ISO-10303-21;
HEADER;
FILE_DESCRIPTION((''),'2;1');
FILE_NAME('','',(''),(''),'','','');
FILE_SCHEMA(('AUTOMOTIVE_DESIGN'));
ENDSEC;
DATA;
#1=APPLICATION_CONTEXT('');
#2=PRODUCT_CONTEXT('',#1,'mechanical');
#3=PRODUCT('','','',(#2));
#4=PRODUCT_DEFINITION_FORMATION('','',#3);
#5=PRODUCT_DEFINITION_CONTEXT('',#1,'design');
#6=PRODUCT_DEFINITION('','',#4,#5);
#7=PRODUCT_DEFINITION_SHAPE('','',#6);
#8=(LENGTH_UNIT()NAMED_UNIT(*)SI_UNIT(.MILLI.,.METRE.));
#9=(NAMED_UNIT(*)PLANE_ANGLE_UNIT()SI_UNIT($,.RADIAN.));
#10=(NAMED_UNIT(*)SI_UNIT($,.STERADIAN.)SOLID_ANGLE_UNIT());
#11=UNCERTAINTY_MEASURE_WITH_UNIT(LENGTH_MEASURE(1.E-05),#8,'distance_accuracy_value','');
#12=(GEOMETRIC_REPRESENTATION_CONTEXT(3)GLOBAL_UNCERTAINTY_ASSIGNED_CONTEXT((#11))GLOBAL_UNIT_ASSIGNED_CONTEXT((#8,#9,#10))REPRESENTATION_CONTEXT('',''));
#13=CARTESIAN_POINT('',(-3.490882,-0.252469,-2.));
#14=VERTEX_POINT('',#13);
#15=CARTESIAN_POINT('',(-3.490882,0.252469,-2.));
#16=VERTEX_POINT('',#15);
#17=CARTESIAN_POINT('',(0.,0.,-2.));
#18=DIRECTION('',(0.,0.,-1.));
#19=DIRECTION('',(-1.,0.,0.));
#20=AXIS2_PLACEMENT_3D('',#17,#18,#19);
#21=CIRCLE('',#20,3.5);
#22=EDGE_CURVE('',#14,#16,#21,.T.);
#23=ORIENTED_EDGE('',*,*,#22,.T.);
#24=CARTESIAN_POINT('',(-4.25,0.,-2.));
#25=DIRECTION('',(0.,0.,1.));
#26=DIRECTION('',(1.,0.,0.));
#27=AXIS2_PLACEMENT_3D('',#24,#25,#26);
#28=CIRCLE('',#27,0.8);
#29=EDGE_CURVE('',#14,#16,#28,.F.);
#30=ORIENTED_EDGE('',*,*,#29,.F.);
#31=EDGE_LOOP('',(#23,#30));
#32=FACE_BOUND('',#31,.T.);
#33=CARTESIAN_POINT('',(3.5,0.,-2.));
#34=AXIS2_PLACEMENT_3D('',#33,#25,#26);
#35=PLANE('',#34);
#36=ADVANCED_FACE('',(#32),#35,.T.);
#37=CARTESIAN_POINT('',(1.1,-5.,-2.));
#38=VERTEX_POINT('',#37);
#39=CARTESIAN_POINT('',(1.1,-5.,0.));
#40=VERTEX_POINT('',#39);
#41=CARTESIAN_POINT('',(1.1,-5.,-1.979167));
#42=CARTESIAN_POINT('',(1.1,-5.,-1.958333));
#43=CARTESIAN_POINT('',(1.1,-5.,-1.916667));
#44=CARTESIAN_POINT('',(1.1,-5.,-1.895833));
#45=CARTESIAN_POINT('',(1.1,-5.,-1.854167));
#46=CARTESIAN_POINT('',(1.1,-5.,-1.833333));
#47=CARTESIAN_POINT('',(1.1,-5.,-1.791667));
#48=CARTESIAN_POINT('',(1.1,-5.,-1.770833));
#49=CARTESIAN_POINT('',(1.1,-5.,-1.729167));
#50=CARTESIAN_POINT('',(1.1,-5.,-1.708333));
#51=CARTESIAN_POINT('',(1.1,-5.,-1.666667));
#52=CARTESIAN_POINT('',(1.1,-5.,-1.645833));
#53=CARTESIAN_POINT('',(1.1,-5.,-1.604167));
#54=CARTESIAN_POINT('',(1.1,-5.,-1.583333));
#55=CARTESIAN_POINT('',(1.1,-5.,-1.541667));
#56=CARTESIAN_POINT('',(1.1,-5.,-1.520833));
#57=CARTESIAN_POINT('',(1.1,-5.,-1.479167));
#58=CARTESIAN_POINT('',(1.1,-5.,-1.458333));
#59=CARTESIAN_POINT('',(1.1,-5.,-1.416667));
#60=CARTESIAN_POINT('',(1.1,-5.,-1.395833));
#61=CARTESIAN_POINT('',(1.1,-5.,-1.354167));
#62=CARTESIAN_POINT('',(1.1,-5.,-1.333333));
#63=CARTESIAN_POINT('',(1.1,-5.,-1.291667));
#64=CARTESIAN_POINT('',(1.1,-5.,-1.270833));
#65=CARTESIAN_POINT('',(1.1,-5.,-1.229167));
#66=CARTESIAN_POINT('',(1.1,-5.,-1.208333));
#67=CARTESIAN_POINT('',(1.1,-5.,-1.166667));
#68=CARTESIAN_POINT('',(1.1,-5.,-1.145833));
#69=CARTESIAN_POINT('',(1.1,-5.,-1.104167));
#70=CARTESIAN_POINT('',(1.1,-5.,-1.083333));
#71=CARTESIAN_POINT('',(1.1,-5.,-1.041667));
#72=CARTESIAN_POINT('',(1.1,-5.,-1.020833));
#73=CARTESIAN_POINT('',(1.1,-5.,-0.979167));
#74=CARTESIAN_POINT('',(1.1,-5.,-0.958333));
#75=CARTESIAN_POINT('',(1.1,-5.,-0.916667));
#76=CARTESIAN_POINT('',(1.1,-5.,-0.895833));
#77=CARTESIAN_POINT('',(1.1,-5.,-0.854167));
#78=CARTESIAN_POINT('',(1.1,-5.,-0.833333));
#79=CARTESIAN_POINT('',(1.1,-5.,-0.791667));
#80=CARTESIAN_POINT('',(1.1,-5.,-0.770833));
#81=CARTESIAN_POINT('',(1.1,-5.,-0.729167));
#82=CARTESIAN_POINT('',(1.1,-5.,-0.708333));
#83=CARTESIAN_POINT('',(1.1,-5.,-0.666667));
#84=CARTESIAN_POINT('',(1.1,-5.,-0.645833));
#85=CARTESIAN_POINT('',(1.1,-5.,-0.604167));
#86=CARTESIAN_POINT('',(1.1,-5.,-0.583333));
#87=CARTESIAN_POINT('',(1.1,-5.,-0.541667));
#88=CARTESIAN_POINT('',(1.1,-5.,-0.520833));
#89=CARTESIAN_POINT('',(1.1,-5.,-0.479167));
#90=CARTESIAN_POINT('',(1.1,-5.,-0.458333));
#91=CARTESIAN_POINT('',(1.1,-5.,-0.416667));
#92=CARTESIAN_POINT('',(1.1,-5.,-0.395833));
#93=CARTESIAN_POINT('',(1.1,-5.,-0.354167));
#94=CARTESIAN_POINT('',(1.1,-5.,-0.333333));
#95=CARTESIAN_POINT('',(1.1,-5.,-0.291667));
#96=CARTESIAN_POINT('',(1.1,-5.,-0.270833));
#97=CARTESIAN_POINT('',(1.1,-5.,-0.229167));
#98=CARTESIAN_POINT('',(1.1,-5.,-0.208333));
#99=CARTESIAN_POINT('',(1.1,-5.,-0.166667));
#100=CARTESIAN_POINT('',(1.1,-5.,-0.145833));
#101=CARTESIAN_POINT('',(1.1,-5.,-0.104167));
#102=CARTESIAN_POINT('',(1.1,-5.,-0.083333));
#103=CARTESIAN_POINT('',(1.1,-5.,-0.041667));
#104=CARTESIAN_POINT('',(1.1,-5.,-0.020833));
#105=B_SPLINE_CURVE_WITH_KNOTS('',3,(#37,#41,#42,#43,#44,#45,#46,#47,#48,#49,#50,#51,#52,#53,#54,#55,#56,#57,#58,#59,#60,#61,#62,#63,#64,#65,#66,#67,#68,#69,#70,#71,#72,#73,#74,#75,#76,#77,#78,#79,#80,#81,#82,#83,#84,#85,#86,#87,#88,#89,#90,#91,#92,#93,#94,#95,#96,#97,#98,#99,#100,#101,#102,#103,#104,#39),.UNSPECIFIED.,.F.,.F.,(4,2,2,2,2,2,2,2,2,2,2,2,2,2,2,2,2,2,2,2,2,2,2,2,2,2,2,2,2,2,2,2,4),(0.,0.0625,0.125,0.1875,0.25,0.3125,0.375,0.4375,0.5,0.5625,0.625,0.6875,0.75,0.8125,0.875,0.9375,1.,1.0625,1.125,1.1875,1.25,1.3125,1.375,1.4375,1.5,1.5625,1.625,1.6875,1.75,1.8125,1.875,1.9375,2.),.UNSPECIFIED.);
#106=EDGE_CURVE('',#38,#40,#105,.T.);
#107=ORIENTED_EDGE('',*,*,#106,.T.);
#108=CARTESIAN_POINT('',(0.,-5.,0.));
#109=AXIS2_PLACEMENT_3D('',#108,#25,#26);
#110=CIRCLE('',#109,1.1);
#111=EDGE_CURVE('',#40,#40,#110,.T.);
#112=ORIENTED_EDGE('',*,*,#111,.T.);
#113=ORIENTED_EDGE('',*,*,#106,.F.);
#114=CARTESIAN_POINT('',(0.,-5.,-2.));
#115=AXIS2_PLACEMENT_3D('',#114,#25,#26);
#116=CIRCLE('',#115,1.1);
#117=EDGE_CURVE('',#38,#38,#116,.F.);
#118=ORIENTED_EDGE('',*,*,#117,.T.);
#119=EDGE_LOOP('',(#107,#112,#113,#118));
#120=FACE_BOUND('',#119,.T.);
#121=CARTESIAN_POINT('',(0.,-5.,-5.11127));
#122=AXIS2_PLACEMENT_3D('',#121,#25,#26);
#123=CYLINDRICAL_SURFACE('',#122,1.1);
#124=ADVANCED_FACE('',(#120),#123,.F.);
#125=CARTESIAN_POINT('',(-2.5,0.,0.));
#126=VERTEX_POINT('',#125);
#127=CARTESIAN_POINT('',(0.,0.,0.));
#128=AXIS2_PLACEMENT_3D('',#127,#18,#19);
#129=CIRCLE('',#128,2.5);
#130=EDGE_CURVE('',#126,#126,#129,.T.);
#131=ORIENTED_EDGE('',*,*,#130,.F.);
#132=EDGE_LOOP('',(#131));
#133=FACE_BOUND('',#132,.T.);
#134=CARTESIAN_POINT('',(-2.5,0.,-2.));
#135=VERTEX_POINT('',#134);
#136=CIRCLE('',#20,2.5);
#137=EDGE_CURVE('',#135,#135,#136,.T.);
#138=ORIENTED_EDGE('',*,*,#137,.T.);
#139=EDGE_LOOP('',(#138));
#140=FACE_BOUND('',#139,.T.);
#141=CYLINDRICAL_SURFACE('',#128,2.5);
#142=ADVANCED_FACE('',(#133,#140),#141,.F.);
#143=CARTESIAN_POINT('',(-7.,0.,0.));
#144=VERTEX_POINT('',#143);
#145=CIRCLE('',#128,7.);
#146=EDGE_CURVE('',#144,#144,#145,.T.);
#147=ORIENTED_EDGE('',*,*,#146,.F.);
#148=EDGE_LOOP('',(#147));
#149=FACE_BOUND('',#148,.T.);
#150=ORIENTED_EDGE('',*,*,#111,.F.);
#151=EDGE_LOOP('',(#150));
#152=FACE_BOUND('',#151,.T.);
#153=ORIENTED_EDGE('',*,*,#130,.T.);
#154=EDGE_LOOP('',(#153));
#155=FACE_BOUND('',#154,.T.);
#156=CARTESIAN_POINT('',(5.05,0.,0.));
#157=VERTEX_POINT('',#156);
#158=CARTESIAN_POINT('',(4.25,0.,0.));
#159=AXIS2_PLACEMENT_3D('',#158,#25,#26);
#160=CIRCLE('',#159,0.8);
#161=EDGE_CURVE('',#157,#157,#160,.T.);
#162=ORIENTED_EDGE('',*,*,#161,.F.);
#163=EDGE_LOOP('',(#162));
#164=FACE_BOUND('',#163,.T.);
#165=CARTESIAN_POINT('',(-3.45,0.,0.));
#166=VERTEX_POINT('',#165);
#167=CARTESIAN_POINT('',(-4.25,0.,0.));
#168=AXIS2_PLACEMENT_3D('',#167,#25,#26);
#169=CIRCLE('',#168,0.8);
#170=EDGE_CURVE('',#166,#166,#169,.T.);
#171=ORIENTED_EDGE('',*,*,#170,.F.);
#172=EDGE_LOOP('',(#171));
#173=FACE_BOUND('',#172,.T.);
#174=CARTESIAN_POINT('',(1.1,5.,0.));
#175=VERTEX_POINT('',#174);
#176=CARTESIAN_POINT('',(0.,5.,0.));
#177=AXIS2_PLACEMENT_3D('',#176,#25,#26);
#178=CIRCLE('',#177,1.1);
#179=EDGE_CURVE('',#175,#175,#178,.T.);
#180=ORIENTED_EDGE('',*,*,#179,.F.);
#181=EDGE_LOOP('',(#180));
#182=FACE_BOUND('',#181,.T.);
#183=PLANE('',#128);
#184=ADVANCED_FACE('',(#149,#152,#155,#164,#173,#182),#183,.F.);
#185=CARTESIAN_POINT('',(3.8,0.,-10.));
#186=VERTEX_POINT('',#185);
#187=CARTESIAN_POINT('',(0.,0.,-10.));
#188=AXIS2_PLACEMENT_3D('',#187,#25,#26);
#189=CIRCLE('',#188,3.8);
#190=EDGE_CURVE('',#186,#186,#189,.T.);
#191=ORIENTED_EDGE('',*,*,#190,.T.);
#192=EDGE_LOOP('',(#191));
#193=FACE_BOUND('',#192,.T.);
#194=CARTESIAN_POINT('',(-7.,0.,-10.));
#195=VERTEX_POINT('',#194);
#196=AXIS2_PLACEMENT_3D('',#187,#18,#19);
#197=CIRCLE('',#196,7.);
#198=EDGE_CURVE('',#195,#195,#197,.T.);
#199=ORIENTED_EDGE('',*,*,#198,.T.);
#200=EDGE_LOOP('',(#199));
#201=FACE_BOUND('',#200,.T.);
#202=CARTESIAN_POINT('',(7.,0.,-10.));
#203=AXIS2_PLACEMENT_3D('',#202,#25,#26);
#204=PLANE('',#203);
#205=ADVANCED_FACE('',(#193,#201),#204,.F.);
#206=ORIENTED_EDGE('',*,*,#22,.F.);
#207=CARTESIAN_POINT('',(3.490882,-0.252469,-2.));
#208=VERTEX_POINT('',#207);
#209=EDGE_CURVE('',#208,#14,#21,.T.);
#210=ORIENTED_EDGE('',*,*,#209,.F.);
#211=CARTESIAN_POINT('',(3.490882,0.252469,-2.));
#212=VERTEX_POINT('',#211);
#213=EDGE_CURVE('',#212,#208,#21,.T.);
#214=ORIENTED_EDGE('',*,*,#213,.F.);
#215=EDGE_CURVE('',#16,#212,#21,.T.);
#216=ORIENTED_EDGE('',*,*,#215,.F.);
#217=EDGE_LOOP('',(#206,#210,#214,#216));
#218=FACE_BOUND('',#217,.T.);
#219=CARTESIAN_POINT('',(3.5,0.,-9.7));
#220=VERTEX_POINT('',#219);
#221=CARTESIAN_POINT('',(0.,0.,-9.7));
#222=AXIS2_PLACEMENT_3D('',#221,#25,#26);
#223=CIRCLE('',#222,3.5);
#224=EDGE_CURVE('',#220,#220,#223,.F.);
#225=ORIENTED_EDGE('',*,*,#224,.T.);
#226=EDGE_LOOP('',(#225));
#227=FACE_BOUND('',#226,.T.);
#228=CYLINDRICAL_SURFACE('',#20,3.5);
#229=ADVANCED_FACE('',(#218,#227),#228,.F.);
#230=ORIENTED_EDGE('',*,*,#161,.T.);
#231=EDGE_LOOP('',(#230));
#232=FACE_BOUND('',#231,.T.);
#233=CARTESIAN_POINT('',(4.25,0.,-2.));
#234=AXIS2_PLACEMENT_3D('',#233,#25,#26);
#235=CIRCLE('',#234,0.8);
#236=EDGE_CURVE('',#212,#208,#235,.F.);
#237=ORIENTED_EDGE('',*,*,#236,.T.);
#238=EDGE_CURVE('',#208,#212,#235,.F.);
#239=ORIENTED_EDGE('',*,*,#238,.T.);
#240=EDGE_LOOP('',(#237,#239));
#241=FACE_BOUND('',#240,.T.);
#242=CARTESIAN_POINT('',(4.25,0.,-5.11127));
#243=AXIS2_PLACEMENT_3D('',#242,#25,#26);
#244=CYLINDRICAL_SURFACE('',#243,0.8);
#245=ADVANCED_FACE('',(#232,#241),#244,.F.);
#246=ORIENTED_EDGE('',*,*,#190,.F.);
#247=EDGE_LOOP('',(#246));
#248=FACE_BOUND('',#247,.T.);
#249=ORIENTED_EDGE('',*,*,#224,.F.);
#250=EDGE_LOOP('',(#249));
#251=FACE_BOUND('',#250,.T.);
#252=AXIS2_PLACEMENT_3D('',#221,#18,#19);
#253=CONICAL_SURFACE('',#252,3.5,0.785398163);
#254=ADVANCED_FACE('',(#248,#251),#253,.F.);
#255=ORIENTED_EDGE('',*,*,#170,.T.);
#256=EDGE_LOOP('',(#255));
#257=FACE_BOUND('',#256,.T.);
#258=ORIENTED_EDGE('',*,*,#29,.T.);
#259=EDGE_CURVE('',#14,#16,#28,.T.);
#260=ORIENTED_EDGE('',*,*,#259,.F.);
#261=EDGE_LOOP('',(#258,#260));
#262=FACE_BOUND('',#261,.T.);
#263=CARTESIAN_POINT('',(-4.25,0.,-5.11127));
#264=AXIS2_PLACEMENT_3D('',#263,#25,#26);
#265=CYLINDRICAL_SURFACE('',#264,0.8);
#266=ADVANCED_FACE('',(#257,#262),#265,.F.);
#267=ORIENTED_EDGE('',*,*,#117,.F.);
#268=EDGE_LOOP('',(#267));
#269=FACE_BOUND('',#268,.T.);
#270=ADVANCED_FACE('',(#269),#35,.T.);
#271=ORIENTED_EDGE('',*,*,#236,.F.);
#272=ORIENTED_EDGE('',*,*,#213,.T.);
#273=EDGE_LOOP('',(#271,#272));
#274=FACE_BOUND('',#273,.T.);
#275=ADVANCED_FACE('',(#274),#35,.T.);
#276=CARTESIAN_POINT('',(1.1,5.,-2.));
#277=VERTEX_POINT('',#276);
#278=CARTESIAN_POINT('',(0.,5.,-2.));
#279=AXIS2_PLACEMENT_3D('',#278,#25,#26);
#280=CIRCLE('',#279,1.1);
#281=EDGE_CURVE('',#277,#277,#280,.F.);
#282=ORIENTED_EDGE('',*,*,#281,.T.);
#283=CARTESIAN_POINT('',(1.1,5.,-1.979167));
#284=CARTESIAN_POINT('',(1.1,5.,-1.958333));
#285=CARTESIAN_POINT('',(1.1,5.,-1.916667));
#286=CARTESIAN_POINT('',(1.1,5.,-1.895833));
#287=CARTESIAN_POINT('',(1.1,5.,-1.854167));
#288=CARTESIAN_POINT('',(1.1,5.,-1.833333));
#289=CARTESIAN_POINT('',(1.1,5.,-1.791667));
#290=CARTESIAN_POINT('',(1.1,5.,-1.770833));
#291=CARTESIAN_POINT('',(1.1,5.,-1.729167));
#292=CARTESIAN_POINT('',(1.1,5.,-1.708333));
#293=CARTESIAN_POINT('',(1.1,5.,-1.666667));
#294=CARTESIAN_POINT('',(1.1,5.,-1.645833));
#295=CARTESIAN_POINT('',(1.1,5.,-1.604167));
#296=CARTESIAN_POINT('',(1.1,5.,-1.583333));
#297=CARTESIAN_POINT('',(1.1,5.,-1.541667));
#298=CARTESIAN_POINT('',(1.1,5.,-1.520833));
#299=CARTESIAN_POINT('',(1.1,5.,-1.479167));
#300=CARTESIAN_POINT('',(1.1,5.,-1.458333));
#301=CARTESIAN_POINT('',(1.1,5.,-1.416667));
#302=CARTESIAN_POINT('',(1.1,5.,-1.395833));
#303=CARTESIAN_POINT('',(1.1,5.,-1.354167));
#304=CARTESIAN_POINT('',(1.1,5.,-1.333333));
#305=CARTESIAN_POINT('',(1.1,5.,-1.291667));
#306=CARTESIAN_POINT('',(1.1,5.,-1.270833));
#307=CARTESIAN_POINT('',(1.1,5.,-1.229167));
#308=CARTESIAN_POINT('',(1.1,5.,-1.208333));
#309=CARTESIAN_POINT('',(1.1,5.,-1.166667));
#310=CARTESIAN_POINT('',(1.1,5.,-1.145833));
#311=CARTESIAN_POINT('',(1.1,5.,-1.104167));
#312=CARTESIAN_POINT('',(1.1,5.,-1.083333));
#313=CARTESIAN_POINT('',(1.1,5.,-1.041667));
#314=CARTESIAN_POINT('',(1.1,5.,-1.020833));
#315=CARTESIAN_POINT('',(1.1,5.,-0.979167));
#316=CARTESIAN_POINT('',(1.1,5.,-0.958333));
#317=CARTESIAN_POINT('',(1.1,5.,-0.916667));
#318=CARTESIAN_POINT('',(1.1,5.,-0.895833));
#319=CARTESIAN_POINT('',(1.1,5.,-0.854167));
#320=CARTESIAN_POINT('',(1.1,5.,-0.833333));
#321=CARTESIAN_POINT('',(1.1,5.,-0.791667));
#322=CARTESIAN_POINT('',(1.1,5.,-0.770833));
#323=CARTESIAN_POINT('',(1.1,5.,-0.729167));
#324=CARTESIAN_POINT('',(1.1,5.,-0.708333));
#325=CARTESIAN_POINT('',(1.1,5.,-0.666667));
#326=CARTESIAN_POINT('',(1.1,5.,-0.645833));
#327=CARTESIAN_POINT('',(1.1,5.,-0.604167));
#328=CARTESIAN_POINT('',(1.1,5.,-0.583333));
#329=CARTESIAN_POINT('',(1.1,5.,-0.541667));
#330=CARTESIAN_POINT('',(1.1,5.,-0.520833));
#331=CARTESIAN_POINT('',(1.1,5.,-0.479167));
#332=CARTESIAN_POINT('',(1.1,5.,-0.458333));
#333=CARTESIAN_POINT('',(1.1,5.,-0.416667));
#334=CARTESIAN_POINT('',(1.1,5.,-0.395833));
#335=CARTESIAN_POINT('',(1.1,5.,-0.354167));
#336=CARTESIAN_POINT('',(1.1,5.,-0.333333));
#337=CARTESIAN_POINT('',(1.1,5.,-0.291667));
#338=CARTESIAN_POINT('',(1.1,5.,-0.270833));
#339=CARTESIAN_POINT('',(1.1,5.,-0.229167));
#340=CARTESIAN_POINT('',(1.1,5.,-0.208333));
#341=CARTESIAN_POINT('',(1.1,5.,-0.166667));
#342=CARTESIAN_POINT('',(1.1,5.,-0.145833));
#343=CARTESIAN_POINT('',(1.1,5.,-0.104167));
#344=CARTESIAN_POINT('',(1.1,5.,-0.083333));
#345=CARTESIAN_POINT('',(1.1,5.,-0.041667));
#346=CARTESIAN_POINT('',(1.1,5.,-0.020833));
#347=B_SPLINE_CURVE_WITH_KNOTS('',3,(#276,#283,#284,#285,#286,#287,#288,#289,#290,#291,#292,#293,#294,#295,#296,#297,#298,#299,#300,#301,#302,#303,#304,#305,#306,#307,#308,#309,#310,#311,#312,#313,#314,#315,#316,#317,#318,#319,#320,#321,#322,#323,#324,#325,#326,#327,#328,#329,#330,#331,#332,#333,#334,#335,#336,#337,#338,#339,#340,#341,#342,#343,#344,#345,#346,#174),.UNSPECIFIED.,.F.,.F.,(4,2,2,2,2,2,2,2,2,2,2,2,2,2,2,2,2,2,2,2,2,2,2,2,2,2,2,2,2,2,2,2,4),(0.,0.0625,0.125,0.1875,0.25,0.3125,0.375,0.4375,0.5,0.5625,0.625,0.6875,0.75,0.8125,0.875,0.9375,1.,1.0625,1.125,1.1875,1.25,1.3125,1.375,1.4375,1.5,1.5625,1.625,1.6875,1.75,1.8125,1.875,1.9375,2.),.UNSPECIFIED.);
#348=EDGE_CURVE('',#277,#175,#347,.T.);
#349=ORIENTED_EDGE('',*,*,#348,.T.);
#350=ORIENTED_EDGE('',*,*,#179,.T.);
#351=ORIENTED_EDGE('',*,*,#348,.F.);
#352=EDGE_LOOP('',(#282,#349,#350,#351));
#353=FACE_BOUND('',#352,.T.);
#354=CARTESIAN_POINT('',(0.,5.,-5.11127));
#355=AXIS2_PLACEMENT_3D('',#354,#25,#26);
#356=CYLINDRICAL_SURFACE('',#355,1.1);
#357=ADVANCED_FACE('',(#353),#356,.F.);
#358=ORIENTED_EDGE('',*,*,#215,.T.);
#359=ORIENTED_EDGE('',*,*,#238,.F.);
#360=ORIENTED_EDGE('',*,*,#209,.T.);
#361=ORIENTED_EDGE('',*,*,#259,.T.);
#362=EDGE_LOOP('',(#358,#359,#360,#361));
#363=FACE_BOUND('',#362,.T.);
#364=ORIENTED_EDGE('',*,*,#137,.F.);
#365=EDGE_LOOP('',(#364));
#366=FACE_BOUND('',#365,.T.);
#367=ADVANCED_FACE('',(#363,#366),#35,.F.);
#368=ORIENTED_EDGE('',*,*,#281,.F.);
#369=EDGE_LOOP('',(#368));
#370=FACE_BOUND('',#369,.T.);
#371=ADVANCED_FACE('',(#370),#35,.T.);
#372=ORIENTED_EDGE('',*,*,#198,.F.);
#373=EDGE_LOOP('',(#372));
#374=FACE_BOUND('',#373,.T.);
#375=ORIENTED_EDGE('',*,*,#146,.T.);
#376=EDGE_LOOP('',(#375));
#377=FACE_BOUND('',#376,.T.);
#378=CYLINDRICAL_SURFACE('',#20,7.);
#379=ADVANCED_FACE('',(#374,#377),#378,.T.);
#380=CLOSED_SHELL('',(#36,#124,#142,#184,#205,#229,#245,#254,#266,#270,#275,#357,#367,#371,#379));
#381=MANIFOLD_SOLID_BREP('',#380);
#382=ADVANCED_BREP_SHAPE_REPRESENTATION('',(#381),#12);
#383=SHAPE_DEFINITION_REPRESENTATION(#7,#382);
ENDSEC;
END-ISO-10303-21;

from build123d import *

# Parameters (mm, degrees)
SKETCH2_R          = 2.5
CUT_EXTRUDE1_DEPTH = 13.727922061
SKETCH3_R          = 1.1
SKETCH3_R_2        = 0.8
CUT_EXTRUDE2_DEPTH = 2
CHAMFER1_SIZE      = 0.3


with BuildPart() as part:
    # Sketch1 → Revolve1 (revolve)
    with BuildSketch(Plane(origin=(0, 0, 0), x_dir=(1, 0, 0), z_dir=(0, 1, 0)), mode=Mode.PRIVATE) as revolve1_sk:
        Polygon((0, 0), (7, 0), (7, 10), (3.5, 10), (3.5, 2), (0, 2), align=None)
    revolve(revolve1_sk.sketch.rotate(Axis((0, 0, -2), (0, 0, 1)), 180), axis=Axis((0, 0, -2), (0, 0, 1)))

    # Sketch2 → Cut-Extrude1 (cut, through all)
    with BuildSketch(Plane(origin=(0, 0, -2), x_dir=(-1, 0, 0), z_dir=(0, 0, -1))):
        Circle(SKETCH2_R)
    extrude(amount=-CUT_EXTRUDE1_DEPTH, mode=Mode.SUBTRACT)

    # Sketch3 → Cut-Extrude2 (cut)
    with BuildSketch(Plane.XY):
        with Locations((0, 5)):
            Circle(SKETCH3_R)
        with Locations((0, -5)):
            Circle(SKETCH3_R)
        with Locations((4.25, 0)):
            Circle(SKETCH3_R_2)
        with Locations((-4.25, 0)):
            Circle(SKETCH3_R_2)
    extrude(amount=-CUT_EXTRUDE2_DEPTH, mode=Mode.SUBTRACT)

    # Chamfer1
    chamfer1_edges = [part.edges().sort_by_distance(p)[0] for p in [
        (3.5, 0, -10),
    ]]
    chamfer(chamfer1_edges, length=CHAMFER1_SIZE)


solid = part.part
